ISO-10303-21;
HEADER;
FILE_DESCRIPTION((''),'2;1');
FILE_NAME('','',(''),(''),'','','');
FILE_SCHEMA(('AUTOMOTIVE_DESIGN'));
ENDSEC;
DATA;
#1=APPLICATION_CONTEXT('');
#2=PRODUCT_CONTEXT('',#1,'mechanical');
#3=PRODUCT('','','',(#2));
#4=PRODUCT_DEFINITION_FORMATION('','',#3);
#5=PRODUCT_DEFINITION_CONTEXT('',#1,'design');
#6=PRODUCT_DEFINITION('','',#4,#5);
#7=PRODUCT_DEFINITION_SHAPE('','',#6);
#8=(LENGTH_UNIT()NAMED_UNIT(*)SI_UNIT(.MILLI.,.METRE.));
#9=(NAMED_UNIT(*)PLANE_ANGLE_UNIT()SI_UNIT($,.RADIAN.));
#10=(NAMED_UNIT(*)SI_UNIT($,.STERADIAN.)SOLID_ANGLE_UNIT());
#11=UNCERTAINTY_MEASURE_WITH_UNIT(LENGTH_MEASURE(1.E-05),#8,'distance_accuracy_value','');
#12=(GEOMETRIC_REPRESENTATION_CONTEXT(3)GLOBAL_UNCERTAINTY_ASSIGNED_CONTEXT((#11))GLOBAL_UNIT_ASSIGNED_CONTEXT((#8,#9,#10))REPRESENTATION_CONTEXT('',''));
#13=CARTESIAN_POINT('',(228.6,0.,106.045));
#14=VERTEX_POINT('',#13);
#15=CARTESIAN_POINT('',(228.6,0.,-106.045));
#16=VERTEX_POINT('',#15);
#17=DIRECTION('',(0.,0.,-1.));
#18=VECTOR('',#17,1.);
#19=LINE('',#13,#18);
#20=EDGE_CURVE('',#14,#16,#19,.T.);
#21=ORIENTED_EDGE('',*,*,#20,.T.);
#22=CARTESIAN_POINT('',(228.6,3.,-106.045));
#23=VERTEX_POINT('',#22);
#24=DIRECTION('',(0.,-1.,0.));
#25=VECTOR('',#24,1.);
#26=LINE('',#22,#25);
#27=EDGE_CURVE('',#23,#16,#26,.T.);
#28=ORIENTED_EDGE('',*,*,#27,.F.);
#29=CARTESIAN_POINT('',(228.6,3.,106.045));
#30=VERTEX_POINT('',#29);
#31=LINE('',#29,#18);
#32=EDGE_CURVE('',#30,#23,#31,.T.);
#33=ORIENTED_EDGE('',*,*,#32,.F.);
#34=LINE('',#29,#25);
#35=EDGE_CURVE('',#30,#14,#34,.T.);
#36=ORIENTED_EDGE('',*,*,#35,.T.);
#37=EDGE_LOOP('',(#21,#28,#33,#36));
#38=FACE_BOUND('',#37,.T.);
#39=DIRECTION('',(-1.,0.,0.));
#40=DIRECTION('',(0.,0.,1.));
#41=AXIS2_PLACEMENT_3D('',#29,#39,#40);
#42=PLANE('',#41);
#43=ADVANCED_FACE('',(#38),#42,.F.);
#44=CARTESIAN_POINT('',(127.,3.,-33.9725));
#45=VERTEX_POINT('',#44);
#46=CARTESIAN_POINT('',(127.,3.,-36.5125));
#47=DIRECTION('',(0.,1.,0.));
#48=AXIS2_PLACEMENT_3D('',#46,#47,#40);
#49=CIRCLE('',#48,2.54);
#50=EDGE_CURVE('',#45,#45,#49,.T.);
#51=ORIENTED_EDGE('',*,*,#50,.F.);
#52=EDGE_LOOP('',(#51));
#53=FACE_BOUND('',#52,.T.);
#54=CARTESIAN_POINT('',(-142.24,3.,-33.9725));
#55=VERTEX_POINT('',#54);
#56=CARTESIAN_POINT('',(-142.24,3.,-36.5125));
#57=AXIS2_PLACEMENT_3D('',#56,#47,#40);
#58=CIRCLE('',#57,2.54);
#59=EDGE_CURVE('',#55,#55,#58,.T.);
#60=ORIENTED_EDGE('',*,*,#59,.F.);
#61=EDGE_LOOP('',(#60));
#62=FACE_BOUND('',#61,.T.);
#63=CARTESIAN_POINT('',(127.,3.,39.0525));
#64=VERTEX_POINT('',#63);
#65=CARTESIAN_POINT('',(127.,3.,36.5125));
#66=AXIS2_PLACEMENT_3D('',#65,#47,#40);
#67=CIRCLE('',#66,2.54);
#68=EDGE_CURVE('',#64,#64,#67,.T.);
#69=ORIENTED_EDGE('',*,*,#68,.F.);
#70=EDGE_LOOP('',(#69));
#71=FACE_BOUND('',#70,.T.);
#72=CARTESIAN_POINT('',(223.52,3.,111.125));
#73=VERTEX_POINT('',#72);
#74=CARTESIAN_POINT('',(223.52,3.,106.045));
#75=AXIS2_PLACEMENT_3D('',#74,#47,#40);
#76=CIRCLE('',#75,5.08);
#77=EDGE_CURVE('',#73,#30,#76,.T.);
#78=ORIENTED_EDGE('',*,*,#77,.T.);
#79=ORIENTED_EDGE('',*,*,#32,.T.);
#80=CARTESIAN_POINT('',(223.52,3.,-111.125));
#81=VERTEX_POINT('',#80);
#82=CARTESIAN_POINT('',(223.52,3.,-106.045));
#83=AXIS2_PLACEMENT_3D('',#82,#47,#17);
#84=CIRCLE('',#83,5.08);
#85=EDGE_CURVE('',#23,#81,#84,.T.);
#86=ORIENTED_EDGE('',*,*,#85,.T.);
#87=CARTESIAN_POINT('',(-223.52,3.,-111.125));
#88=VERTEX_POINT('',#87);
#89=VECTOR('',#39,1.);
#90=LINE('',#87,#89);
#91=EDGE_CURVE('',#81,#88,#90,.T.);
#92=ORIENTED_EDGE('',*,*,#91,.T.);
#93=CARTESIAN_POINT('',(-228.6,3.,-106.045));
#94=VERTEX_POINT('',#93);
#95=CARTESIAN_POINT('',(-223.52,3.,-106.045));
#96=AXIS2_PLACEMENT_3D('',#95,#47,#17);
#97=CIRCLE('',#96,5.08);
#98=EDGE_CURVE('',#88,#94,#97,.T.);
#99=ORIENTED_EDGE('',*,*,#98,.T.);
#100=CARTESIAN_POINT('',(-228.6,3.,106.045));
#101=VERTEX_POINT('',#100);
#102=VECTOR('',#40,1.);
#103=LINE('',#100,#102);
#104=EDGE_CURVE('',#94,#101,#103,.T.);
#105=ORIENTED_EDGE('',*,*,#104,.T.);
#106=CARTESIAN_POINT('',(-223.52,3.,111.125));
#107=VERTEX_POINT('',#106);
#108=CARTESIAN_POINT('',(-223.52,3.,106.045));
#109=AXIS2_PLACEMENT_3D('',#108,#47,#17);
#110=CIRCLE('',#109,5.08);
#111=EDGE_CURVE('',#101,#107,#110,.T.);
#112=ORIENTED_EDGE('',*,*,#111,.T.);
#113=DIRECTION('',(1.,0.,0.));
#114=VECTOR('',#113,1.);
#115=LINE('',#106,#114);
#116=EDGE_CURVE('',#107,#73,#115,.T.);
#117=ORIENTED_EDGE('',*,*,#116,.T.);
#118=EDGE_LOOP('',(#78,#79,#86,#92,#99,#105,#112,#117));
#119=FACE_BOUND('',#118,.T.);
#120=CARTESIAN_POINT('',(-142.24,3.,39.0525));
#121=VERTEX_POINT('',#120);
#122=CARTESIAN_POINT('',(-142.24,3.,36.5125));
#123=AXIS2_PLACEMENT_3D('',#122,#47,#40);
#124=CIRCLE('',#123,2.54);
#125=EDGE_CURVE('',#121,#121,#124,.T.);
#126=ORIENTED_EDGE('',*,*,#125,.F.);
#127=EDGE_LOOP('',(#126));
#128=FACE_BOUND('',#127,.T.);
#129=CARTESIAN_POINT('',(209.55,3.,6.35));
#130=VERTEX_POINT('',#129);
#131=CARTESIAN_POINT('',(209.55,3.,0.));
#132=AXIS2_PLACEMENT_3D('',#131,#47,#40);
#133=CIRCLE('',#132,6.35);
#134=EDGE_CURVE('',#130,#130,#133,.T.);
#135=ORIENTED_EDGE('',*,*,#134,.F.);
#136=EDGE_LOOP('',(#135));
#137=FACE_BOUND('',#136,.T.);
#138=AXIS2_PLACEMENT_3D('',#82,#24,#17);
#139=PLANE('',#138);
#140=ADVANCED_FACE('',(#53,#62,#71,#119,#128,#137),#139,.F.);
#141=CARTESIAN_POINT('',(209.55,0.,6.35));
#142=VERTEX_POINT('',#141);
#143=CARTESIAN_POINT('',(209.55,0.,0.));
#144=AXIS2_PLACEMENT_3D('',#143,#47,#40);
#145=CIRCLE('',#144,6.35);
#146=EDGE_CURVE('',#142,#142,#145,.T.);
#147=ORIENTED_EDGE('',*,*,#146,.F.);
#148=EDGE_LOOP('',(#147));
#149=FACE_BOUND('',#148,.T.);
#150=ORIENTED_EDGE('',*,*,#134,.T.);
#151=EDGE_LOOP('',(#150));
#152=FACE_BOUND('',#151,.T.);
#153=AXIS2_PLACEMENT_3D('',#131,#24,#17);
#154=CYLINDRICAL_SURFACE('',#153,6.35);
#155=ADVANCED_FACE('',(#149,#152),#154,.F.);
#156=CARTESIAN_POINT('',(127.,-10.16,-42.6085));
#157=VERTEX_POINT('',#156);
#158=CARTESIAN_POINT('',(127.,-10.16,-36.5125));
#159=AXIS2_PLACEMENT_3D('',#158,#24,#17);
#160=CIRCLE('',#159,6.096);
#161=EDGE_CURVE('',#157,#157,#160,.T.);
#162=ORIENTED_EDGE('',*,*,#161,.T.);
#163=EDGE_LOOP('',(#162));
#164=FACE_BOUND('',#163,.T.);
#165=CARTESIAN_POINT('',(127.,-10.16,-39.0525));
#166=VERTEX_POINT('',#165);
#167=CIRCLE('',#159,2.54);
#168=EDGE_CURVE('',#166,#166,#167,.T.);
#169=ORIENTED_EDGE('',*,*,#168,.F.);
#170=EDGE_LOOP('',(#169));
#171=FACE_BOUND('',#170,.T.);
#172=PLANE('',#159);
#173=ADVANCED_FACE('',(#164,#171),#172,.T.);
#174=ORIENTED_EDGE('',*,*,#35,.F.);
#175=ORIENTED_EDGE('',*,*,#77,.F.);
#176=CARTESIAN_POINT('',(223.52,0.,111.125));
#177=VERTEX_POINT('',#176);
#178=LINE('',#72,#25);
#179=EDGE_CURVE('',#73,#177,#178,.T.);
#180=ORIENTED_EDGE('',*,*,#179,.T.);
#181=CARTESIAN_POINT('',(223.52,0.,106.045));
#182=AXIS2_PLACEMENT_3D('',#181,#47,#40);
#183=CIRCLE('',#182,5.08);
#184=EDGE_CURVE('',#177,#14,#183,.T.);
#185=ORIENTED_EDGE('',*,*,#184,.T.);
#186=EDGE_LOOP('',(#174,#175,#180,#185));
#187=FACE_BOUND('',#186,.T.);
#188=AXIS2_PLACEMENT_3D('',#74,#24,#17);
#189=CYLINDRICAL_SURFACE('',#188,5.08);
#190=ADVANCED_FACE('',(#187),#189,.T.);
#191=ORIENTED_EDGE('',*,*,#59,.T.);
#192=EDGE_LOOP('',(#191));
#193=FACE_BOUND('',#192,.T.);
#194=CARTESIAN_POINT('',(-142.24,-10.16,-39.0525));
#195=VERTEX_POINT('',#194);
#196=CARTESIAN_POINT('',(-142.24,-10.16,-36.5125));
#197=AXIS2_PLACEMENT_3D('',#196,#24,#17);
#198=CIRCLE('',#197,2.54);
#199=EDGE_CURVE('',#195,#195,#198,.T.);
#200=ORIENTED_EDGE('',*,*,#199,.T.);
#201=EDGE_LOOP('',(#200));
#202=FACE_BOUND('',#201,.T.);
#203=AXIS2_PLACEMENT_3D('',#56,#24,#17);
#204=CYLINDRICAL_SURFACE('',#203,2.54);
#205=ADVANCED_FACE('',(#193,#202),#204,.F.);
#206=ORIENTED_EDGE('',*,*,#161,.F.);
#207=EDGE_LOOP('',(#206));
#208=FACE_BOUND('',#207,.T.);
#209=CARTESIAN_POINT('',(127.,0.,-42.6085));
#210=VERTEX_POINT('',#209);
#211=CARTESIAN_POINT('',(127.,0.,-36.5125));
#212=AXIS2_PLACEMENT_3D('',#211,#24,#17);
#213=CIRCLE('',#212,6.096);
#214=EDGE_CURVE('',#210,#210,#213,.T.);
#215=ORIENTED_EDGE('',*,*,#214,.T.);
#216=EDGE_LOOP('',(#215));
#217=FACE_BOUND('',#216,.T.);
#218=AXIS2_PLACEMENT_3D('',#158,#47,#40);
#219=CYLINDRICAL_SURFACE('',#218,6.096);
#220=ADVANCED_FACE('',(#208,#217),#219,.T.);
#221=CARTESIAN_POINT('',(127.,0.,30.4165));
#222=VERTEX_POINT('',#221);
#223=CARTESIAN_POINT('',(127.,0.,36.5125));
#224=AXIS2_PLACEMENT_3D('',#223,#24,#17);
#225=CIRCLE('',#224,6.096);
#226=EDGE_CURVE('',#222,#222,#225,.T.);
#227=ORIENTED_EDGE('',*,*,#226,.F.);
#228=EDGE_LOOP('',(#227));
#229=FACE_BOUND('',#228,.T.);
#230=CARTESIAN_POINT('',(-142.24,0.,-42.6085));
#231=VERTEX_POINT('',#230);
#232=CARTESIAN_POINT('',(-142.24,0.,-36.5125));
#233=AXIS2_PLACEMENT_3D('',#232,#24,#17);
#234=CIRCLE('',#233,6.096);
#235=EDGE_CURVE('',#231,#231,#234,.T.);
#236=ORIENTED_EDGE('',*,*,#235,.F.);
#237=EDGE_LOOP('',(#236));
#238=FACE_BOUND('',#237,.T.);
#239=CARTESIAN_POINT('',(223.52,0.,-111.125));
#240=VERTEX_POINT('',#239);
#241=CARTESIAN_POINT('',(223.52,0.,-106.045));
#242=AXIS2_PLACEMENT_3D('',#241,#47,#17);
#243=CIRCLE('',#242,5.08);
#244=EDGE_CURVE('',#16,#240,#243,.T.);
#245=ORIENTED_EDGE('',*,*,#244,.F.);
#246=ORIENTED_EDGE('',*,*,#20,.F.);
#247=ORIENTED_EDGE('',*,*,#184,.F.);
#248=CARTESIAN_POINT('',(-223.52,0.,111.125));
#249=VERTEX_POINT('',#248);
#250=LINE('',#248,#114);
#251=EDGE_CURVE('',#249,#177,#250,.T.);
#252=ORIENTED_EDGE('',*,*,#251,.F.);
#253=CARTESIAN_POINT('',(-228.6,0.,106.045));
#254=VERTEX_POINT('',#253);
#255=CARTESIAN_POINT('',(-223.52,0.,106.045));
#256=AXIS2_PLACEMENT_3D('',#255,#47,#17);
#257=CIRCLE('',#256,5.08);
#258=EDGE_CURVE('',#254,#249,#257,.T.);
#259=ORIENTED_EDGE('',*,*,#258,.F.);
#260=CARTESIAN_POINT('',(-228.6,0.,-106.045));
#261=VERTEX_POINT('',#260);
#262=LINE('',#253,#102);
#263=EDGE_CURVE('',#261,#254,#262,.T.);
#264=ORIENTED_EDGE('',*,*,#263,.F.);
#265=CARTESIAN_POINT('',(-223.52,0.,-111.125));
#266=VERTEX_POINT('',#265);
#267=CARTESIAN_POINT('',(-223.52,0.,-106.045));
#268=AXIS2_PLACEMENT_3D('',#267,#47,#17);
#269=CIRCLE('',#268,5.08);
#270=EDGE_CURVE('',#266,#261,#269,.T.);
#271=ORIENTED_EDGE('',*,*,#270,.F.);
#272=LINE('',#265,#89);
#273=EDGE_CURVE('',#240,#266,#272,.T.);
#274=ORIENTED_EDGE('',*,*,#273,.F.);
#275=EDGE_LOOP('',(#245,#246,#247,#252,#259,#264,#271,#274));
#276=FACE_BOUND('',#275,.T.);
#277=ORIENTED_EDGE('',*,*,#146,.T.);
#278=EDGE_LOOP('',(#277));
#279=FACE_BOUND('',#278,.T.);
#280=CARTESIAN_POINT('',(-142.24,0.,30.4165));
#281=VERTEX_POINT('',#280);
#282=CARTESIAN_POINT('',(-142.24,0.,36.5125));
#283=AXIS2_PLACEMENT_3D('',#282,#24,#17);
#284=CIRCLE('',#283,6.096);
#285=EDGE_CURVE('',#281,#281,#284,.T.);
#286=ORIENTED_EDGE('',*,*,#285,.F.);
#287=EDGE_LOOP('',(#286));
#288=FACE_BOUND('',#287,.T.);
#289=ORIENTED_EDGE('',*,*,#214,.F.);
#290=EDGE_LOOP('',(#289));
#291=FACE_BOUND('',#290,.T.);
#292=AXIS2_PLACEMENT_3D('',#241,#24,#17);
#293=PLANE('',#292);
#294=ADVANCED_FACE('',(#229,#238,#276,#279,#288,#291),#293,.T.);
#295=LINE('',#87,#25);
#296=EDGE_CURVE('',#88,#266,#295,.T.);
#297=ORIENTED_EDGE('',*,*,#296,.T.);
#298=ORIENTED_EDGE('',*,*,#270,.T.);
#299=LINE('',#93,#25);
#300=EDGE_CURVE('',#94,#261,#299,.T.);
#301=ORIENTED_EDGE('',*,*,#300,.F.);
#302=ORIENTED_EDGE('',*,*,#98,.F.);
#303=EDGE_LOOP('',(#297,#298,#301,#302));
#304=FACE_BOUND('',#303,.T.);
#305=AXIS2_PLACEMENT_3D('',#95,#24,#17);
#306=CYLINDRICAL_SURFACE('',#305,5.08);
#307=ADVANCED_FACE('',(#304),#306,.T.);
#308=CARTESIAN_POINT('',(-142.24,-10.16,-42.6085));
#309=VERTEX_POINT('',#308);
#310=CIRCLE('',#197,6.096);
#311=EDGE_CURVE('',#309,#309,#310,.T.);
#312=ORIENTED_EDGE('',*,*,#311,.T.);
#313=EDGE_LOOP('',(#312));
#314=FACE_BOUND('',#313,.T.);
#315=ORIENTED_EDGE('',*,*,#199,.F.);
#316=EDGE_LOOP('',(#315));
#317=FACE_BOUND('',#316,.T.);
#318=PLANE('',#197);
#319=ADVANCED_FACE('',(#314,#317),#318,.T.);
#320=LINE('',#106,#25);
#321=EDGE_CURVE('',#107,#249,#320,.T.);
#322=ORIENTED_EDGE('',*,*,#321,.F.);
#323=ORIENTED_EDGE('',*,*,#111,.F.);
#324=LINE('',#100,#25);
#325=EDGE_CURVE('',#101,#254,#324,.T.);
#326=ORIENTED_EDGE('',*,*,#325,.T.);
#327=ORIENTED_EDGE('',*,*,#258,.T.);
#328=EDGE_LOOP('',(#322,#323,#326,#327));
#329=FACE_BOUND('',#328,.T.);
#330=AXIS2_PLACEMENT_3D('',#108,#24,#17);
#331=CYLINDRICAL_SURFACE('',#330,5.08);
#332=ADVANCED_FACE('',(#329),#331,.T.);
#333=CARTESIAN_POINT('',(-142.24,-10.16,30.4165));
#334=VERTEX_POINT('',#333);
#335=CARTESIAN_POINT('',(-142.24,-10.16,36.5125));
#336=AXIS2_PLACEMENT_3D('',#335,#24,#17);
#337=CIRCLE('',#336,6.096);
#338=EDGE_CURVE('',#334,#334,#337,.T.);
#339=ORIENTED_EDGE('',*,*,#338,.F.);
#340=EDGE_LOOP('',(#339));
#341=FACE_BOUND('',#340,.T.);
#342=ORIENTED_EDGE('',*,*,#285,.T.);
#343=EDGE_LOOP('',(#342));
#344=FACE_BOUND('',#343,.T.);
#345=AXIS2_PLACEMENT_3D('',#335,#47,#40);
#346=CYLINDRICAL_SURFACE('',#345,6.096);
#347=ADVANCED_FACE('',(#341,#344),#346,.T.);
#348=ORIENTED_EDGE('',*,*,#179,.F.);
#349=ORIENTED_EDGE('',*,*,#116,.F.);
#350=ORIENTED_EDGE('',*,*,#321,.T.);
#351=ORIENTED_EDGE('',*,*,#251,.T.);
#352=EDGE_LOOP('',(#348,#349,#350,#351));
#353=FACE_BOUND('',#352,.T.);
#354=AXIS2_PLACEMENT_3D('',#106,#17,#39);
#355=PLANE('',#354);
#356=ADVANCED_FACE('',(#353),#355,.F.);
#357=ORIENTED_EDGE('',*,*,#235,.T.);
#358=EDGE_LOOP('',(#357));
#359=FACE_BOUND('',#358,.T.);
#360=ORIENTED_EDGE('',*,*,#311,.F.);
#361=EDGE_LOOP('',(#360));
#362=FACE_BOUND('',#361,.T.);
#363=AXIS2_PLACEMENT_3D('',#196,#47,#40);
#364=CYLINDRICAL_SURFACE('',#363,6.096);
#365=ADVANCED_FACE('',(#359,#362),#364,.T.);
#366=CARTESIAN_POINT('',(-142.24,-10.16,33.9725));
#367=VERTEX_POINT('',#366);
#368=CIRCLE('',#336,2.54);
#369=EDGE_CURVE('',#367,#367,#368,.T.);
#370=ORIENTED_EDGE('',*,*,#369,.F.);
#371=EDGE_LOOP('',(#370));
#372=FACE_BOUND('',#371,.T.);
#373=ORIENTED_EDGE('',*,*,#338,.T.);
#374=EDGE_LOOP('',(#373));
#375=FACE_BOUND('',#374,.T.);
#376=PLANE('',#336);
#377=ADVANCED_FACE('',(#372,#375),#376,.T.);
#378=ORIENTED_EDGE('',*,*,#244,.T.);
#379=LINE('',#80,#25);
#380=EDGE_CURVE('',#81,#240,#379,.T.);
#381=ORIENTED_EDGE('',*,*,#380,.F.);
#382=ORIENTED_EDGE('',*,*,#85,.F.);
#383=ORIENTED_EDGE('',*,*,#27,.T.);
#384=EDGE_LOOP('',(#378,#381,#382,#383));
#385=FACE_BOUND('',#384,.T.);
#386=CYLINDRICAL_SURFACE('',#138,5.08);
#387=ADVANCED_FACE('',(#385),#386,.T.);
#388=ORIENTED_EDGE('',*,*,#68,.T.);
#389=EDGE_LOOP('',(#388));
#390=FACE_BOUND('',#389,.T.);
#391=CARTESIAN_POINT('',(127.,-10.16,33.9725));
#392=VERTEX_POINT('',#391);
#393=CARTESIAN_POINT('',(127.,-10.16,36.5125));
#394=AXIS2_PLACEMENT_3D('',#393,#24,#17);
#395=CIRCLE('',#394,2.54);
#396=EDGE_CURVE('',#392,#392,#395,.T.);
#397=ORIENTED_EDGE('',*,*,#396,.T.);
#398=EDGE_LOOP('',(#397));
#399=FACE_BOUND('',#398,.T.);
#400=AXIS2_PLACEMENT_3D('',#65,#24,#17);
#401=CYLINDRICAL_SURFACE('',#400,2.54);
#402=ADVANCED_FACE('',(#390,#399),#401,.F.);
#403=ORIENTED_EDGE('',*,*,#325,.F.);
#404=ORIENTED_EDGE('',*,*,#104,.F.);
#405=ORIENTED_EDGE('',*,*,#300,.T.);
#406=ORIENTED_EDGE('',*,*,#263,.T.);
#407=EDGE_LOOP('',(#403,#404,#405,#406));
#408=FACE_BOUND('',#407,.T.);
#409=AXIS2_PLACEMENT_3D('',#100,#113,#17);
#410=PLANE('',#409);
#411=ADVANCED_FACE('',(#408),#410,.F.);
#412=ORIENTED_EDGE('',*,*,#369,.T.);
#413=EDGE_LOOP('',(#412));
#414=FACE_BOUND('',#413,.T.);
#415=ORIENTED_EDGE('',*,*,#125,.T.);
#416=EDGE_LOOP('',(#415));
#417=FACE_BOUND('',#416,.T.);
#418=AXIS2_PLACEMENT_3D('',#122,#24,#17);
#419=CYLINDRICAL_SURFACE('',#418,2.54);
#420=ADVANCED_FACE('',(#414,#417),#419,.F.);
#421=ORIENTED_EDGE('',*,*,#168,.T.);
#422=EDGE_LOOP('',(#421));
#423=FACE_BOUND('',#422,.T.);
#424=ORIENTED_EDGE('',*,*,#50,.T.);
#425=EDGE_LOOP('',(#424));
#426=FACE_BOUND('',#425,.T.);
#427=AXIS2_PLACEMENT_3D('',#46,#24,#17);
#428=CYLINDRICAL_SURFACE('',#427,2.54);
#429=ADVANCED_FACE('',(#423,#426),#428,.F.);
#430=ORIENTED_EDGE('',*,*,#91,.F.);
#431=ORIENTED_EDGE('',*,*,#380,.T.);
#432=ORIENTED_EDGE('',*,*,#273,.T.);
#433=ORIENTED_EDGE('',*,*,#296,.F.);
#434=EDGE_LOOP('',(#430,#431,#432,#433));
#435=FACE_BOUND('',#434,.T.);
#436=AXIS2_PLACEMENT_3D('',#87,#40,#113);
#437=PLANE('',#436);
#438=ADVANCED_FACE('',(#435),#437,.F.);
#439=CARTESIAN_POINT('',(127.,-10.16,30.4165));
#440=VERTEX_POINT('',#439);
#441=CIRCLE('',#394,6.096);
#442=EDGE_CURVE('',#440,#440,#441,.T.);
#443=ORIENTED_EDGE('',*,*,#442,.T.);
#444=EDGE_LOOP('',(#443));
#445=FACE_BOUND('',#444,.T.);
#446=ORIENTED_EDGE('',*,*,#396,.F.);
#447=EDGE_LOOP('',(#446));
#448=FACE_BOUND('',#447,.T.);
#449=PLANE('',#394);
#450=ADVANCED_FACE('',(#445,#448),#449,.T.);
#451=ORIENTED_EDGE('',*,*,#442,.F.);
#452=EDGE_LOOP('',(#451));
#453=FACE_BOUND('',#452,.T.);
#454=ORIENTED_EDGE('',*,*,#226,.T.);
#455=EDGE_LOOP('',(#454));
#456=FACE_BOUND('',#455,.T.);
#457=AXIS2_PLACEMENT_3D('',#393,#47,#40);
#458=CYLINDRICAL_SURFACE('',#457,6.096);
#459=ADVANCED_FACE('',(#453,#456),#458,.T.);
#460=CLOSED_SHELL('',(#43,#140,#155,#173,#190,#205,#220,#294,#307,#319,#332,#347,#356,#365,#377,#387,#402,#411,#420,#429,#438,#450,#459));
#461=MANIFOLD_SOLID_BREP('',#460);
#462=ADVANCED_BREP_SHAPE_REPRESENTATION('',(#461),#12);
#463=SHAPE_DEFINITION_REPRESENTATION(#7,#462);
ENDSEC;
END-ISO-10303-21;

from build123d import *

# Parameters (mm, degrees)
SKETCH1_R               = 2.54
SKETCH1_R_2             = 6.35
MAINBASEPLATE_DEPTH     = 3
BASEBOSS_EXTRUDE2_START = 10.16
SKETCH2_R               = 6.096
SKETCH2_R_2             = 2.54
BASEBOSS_EXTRUDE2_DEPTH = 10.16


with BuildPart() as part:
    # Sketch1 → mainbaseplate (new body)
    with BuildSketch(Plane(origin=(0, 0, 0), x_dir=(1, 0, 0), z_dir=(0, 1, 0))):
        with BuildLine():
            Line((-223.52, -111.125), (223.52, -111.125))
            ThreePointArc((223.52, -111.125), (227.112102448, -109.637102448), (228.6, -106.045))
            Line((228.6, -106.045), (228.6, 106.045))
            ThreePointArc((228.6, 106.045), (227.112102448, 109.637102448), (223.52, 111.125))
            Line((223.52, 111.125), (-223.52, 111.125))
            ThreePointArc((-223.52, 111.125), (-227.112102448, 109.637102448), (-228.6, 106.045))
            Line((-228.6, 106.045), (-228.6, -106.045))
            ThreePointArc((-228.6, -106.045), (-227.112102448, -109.637102448), (-223.52, -111.125))
        make_face()
        with Locations((127, 36.5125)):
            Circle(SKETCH1_R, mode=Mode.SUBTRACT)
        with Locations((127, -36.5125)):
            Circle(SKETCH1_R, mode=Mode.SUBTRACT)
        with Locations((-142.24, 36.5125)):
            Circle(SKETCH1_R, mode=Mode.SUBTRACT)
        with Locations((-142.24, -36.5125)):
            Circle(SKETCH1_R, mode=Mode.SUBTRACT)
        with Locations((209.55, 0)):
            Circle(SKETCH1_R_2, mode=Mode.SUBTRACT)
    extrude(amount=MAINBASEPLATE_DEPTH)

    # Sketch2 → BaseBoss-Extrude2 (add)
    # profile 1 of 4: a face of its own
    with BuildSketch(Plane.XZ.offset(BASEBOSS_EXTRUDE2_START)):
        with Locations((127, 36.5125)):
            Circle(SKETCH2_R)
        with Locations((127, 36.5125)):
            Circle(SKETCH2_R_2, mode=Mode.SUBTRACT)
    # profile 2 of 4: a face of its own
    with BuildSketch(Plane.XZ.offset(BASEBOSS_EXTRUDE2_START)):
        with Locations((127, -36.5125)):
            Circle(SKETCH2_R)
        with Locations((127, -36.5125)):
            Circle(SKETCH2_R_2, mode=Mode.SUBTRACT)
    # profile 3 of 4: a face of its own
    with BuildSketch(Plane.XZ.offset(BASEBOSS_EXTRUDE2_START)):
        with Locations((-142.24, -36.5125)):
            Circle(SKETCH2_R)
        with Locations((-142.24, -36.5125)):
            Circle(SKETCH2_R_2, mode=Mode.SUBTRACT)
    # profile 4 of 4: a face of its own
    with BuildSketch(Plane.XZ.offset(BASEBOSS_EXTRUDE2_START)):
        with Locations((-142.24, 36.5125)):
            Circle(SKETCH2_R)
        with Locations((-142.24, 36.5125)):
            Circle(SKETCH2_R_2, mode=Mode.SUBTRACT)
    extrude(amount=-BASEBOSS_EXTRUDE2_DEPTH)


solid = part.part
